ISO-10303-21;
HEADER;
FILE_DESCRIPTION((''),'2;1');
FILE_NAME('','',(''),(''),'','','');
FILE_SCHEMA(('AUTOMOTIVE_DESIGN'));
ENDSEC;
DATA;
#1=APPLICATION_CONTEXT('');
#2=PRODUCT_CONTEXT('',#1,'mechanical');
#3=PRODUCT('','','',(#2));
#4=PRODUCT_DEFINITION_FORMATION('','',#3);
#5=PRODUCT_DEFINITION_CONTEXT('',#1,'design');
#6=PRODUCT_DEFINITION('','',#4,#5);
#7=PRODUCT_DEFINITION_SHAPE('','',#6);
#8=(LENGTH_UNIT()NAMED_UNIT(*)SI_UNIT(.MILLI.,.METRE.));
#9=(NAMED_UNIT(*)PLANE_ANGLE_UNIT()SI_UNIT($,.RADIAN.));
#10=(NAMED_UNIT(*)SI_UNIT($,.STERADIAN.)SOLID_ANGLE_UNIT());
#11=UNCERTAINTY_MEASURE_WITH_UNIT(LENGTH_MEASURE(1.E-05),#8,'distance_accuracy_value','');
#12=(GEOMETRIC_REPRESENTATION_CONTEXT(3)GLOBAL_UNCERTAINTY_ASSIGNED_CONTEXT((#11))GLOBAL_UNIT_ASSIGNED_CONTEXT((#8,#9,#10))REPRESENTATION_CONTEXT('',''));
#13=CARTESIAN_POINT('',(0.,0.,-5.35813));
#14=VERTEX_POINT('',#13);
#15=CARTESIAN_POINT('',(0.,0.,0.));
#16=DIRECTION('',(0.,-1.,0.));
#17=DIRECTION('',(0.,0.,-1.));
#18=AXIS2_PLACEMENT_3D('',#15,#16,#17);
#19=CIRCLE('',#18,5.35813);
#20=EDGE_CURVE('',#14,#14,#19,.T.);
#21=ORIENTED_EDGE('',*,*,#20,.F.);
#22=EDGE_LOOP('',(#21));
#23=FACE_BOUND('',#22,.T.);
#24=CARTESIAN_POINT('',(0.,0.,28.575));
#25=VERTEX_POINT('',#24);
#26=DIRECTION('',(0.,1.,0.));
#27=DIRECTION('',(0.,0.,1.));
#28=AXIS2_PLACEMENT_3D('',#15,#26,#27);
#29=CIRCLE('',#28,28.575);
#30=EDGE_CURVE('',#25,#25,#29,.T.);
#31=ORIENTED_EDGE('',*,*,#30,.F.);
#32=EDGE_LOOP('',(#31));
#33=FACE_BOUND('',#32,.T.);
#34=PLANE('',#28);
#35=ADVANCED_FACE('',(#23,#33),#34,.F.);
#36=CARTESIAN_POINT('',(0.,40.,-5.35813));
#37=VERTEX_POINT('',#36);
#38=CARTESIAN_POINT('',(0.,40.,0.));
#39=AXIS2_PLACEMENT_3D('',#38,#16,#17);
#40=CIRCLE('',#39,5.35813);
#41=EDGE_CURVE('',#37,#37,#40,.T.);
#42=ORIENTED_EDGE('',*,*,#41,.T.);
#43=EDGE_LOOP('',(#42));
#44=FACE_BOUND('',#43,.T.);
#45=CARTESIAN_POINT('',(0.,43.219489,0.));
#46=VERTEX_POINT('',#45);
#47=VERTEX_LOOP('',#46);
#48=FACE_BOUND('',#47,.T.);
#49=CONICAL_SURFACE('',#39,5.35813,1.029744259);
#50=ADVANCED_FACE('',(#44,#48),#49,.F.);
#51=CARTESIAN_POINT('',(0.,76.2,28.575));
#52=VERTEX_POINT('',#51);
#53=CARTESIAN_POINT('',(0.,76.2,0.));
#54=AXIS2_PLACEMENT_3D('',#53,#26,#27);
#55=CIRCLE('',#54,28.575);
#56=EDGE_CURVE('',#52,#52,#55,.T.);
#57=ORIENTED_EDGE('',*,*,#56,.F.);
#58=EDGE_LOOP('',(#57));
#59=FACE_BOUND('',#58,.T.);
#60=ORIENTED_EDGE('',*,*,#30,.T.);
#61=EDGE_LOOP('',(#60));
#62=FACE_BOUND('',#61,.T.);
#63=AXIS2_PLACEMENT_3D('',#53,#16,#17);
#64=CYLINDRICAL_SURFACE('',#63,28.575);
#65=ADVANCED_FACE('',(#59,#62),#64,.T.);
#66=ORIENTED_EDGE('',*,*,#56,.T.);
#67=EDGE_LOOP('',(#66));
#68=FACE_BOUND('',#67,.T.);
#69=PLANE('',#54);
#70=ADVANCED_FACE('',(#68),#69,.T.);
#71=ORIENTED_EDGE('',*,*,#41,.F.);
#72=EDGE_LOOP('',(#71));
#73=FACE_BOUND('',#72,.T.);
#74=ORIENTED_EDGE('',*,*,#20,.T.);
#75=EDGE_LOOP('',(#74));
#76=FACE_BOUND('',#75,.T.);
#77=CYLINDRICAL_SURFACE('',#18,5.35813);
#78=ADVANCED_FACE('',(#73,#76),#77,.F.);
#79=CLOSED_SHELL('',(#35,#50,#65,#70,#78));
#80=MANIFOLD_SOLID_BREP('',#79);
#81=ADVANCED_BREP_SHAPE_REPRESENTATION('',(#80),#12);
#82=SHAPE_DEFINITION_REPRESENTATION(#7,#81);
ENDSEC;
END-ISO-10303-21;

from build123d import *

# Parameters (mm, degrees)
SKETCH1_R                   = 28.575
BOSS_EXTRUDE1_DEPTH         = 76.2
F_1_2_13_TAPPED_HOLE1_D     = 10.71626
F_1_2_13_TAPPED_HOLE1_DEPTH = 40
F_1_2_13_TAPPED_HOLE1_TIP   = 3.219489309


with BuildPart() as part:
    # Sketch1 → Boss-Extrude1 (new body)
    with BuildSketch(Plane(origin=(0, 0, 0), x_dir=(1, 0, 0), z_dir=(0, 1, 0))):
        Circle(SKETCH1_R)
    extrude(amount=BOSS_EXTRUDE1_DEPTH)

    # 1/2-13 Tapped Hole1
    with Locations(Plane.XZ):
        with Locations((0, 0)):
            Hole(F_1_2_13_TAPPED_HOLE1_D / 2, depth=F_1_2_13_TAPPED_HOLE1_DEPTH)
            with Locations((0, 0, -(F_1_2_13_TAPPED_HOLE1_DEPTH + F_1_2_13_TAPPED_HOLE1_TIP / 2))):  # 118° drill point
                Cone(0, F_1_2_13_TAPPED_HOLE1_D / 2, F_1_2_13_TAPPED_HOLE1_TIP, mode=Mode.SUBTRACT)


solid = part.part
